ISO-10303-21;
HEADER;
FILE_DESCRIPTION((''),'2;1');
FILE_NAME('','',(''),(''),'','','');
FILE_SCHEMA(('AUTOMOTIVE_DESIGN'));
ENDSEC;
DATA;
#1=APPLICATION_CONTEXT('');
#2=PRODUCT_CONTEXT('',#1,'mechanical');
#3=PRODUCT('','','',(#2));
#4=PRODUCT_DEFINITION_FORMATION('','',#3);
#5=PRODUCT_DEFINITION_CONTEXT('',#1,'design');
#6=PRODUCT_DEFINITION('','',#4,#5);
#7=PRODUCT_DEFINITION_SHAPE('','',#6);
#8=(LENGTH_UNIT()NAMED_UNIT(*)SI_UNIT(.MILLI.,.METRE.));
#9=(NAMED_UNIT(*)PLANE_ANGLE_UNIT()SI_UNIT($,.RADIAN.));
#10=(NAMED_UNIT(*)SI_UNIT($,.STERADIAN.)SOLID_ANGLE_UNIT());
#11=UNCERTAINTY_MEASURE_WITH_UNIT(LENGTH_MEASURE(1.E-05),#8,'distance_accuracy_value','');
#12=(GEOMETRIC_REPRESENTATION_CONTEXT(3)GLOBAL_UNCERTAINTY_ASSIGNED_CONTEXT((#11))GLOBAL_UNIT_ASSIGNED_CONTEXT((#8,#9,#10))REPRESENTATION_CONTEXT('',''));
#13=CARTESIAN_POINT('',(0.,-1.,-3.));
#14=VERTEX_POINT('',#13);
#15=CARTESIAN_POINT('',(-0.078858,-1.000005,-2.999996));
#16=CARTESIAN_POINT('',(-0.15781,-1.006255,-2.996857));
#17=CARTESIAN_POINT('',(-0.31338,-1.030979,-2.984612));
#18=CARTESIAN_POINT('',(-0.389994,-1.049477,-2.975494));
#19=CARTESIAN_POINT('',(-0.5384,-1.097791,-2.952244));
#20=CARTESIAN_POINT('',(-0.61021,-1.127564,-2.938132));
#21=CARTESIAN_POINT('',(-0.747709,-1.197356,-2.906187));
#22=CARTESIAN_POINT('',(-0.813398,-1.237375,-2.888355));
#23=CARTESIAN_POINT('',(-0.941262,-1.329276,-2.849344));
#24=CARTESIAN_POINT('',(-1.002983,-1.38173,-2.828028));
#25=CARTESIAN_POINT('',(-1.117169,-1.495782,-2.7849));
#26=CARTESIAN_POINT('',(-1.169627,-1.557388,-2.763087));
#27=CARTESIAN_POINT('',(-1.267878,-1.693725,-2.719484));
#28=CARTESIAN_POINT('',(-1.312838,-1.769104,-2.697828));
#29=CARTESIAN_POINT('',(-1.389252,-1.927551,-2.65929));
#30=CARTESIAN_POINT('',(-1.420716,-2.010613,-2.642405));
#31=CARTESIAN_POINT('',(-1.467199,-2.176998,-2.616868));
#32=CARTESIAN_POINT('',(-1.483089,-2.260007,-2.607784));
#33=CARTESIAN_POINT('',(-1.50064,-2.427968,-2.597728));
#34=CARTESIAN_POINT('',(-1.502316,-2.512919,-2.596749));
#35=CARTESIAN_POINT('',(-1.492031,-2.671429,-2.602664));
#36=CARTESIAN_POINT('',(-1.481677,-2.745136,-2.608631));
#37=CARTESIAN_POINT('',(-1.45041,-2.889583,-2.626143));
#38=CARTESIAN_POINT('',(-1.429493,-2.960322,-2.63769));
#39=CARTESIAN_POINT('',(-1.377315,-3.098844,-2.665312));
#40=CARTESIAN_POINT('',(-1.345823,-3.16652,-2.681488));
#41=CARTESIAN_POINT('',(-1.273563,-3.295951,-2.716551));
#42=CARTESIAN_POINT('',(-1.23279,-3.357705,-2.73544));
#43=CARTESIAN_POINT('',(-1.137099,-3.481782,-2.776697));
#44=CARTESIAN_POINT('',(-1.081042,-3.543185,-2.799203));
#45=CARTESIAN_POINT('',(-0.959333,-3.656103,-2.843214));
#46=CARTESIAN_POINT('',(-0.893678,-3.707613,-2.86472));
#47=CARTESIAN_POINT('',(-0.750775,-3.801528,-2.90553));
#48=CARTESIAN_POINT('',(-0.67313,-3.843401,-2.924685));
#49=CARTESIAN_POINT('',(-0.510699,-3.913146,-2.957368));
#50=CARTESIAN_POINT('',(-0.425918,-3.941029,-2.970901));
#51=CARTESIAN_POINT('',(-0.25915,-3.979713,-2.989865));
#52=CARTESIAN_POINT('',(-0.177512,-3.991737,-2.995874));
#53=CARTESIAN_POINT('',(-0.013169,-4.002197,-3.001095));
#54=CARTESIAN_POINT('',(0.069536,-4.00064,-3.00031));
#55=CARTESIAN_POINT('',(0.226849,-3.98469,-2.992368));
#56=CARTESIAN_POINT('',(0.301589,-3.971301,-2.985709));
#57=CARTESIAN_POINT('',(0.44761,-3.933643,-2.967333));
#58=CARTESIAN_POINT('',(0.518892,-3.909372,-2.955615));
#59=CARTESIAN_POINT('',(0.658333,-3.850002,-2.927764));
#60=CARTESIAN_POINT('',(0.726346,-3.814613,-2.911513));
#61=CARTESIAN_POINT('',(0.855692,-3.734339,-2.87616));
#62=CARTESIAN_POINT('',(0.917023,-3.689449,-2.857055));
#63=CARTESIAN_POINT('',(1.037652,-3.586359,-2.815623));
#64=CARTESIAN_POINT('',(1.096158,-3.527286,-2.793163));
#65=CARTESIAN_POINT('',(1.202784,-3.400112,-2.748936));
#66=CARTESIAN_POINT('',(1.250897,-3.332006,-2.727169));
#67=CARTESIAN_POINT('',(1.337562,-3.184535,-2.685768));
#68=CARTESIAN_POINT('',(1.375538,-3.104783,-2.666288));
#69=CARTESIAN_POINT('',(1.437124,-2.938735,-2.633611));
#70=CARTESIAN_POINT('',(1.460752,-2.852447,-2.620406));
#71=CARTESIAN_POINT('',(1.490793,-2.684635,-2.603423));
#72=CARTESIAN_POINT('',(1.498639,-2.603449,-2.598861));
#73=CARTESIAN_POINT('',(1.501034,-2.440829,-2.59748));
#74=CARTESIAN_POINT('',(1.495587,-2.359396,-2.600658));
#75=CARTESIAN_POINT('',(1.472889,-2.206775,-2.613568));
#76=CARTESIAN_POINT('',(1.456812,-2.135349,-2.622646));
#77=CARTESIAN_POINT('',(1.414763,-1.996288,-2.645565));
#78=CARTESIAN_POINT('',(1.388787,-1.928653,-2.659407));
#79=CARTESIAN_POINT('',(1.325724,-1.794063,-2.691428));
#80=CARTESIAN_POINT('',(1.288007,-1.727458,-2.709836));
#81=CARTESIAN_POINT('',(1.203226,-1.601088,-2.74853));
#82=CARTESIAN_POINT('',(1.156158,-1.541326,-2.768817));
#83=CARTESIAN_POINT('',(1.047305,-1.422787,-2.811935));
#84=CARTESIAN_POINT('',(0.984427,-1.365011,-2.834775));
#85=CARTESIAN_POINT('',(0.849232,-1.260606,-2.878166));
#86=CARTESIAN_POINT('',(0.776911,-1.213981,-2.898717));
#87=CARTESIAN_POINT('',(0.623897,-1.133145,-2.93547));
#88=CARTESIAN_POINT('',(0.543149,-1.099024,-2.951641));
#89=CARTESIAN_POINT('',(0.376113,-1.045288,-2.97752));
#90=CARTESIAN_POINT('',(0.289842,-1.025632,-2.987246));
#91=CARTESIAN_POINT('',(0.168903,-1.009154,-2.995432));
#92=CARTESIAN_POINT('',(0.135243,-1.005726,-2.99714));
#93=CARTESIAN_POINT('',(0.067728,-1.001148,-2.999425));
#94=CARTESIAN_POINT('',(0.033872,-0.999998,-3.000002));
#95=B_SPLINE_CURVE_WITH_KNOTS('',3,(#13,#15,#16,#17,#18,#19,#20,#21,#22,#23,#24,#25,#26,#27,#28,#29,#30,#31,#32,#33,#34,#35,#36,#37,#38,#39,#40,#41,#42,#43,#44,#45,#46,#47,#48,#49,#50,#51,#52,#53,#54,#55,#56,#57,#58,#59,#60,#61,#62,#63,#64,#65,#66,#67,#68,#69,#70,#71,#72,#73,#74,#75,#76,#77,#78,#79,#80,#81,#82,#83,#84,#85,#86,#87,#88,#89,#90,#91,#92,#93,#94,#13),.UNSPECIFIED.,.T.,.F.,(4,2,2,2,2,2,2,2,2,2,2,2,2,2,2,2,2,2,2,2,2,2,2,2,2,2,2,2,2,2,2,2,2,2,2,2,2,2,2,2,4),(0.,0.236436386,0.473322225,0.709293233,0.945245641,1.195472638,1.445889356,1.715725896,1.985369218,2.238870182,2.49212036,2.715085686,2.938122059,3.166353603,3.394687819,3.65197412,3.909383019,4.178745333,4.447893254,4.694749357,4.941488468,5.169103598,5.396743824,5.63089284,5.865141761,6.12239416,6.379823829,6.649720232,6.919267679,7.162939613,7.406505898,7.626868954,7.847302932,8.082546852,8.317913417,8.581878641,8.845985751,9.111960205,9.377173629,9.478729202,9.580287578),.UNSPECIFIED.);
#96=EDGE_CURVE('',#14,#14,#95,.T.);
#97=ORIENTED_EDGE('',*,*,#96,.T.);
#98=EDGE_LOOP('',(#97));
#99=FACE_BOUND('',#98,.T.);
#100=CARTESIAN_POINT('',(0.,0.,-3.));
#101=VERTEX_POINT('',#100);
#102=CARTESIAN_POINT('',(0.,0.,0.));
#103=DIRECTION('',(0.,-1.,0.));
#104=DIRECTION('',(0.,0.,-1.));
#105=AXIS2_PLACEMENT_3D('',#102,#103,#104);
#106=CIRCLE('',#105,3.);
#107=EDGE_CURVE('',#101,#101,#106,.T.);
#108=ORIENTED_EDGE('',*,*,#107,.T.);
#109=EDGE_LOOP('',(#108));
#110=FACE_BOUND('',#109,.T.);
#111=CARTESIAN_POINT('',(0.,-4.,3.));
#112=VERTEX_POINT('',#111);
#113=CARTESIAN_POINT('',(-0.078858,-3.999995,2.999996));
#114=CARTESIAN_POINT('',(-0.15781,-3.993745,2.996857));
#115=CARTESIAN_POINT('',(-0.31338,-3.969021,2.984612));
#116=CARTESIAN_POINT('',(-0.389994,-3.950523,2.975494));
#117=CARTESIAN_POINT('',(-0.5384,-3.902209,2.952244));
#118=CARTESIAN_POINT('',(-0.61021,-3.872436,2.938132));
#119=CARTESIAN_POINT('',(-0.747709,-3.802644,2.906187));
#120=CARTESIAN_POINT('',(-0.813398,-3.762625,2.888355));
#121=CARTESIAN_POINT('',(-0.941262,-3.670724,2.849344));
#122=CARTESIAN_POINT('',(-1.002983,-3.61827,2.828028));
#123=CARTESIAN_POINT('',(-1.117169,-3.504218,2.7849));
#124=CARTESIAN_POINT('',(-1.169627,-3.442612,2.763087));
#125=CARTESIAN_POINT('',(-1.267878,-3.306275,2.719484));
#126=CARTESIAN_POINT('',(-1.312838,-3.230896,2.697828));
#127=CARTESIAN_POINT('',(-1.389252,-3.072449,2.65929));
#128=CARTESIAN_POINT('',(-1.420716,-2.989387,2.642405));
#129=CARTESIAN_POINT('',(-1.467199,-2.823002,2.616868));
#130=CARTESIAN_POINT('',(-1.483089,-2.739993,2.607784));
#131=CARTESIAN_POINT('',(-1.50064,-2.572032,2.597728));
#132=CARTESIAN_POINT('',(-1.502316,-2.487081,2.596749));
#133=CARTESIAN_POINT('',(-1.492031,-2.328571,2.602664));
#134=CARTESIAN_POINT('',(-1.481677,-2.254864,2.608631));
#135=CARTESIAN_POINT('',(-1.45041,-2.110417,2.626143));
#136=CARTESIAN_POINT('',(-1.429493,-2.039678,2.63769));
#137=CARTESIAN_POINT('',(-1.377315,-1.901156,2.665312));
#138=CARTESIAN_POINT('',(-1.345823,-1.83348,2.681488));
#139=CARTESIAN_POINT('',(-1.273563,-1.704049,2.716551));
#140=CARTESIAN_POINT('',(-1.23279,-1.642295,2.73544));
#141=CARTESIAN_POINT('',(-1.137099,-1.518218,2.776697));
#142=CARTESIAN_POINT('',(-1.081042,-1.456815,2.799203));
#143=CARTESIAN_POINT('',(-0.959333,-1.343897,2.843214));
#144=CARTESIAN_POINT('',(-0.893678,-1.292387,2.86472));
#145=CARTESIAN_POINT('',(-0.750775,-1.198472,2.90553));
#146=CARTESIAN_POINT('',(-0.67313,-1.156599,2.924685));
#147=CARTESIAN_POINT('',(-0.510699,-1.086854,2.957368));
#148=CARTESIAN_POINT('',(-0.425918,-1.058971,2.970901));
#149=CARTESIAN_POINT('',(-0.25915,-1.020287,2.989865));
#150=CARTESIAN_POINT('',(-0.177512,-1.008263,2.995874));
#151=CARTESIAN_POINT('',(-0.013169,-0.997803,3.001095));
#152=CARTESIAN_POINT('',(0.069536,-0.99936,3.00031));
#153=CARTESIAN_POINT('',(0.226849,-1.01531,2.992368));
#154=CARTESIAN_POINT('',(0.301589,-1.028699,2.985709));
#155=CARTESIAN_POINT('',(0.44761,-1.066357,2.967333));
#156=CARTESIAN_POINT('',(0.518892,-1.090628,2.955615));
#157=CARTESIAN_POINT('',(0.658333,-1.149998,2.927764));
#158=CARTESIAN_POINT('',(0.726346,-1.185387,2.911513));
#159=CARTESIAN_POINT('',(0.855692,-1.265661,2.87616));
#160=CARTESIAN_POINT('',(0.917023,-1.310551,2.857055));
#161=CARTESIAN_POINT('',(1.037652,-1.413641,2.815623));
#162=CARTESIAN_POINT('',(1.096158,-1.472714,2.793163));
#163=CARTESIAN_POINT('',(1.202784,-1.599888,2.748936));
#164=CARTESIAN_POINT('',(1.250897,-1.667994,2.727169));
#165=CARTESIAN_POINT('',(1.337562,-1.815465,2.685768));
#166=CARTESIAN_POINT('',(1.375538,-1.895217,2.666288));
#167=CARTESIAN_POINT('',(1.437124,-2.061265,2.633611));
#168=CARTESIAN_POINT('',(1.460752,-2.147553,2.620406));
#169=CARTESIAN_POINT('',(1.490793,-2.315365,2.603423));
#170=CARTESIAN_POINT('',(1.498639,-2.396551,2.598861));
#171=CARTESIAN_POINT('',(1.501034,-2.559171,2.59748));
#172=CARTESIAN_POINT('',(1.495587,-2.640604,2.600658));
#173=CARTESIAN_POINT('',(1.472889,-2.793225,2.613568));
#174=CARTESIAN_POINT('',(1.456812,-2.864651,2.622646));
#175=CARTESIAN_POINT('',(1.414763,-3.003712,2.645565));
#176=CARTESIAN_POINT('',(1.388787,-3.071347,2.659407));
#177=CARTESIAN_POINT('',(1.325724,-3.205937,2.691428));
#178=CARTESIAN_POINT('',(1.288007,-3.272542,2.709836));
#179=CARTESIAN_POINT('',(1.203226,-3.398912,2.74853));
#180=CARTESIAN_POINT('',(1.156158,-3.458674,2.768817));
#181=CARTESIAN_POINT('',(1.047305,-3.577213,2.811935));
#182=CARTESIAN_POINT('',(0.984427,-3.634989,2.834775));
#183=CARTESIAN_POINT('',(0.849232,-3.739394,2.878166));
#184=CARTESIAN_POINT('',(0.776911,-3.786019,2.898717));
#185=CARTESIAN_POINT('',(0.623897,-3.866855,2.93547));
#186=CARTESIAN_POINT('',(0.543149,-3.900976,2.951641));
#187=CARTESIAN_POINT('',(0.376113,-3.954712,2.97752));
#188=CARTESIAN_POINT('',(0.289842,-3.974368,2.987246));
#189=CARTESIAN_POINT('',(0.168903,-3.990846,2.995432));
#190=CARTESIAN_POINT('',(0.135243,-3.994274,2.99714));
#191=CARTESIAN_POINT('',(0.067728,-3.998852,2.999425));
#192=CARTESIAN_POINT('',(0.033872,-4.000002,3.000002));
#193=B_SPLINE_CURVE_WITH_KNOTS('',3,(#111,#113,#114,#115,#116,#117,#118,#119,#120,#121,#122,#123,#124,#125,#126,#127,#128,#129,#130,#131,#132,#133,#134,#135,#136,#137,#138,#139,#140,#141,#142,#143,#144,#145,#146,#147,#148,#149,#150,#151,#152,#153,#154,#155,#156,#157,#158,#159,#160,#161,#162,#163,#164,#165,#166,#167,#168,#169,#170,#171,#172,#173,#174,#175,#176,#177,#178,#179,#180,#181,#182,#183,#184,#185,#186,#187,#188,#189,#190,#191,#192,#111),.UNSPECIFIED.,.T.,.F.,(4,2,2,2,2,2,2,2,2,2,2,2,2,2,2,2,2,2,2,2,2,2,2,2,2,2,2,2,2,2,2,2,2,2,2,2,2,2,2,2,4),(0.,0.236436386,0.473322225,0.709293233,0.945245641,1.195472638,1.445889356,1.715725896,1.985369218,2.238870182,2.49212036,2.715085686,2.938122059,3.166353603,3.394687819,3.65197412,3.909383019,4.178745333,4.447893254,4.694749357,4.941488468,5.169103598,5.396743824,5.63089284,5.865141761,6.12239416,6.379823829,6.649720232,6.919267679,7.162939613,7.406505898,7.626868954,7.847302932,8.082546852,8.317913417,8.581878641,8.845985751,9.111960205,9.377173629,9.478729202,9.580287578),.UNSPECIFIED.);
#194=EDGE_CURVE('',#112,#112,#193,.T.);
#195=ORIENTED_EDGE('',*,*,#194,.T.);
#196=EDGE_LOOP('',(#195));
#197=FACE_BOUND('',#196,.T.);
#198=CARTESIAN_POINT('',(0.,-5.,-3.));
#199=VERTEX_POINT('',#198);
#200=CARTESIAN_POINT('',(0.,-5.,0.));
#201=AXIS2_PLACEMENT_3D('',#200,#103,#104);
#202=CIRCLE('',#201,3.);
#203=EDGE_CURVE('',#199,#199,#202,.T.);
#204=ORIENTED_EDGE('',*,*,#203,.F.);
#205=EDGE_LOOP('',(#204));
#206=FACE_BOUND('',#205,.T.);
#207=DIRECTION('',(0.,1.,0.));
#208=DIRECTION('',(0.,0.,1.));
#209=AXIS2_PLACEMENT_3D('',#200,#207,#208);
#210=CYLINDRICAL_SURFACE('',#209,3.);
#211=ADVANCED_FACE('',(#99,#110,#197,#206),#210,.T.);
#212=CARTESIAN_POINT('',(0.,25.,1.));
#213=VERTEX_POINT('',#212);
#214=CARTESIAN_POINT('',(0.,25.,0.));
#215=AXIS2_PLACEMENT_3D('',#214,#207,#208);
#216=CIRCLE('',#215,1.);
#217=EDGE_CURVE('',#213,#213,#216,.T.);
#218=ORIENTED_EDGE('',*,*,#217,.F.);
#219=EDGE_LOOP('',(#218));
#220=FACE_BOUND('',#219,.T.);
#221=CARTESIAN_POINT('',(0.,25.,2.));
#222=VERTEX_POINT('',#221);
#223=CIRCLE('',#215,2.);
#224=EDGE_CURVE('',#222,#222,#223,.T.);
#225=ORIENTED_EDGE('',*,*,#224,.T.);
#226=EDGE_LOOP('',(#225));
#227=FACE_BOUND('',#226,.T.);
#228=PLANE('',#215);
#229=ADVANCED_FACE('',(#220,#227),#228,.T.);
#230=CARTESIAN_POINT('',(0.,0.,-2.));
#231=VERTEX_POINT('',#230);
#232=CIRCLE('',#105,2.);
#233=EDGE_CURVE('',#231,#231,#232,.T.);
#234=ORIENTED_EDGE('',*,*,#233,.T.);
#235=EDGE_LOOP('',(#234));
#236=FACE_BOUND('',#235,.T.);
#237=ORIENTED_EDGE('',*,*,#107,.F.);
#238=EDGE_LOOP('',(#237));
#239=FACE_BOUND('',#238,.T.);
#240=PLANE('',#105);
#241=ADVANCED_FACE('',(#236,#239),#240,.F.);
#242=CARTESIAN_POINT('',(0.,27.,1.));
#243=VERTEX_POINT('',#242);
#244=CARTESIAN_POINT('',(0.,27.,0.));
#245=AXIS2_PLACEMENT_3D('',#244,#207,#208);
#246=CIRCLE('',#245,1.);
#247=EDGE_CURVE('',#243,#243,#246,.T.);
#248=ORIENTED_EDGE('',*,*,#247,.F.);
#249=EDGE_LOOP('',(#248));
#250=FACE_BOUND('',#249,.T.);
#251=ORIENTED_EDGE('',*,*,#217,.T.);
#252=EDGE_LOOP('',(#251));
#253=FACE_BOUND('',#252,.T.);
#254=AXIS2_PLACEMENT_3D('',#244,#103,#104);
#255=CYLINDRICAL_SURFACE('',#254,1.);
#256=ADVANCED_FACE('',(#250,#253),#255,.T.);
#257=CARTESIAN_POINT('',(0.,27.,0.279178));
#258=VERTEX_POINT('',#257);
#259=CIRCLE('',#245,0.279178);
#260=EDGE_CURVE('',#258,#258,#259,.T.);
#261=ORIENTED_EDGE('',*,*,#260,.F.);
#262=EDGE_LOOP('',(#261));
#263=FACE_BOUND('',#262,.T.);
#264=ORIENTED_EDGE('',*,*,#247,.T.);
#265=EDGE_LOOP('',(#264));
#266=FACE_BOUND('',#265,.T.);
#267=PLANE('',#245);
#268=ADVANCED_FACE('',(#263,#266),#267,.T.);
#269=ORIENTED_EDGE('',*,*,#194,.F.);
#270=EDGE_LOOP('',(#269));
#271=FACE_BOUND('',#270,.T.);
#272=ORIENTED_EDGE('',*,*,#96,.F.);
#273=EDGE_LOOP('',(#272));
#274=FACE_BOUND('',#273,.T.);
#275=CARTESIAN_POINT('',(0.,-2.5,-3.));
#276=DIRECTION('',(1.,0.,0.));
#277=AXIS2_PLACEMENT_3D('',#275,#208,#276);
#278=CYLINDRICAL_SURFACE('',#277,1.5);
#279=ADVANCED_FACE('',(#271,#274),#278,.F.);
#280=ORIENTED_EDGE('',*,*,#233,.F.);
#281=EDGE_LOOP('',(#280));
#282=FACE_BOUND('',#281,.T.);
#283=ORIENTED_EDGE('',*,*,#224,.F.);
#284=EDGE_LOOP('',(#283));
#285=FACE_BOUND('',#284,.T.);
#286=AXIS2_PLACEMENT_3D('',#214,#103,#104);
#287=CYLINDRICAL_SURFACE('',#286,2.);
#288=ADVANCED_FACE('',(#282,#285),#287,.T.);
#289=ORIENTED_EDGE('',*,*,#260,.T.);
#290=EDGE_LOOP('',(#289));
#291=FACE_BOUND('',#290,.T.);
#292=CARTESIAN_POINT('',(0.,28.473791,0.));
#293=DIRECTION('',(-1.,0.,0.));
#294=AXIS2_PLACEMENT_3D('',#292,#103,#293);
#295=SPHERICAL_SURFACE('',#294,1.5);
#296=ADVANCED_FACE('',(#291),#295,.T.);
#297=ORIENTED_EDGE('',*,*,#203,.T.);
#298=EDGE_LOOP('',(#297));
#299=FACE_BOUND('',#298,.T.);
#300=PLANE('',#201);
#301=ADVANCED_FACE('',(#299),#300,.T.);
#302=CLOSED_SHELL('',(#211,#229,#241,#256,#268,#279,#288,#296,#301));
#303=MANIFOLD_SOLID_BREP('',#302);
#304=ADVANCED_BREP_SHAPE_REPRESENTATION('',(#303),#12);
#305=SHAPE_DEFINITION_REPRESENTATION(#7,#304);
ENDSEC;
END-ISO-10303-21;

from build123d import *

# Parameters (mm, degrees)
SZKIC1_R                        = 2
DODANIE_WYCI_GNI_CIE1_DEPTH     = 25
SZKIC2_R                        = 1
DODANIE_WYCI_GNI_CIE2_DEPTH     = 2
SZKIC4_R                        = 3
DODANIE_WYCI_GNI_CIE3_DEPTH     = 5
WYTNIJ_WYCI_GNI_CIE1_DEPTH      = 31.272564199
WYTNIJ_WYCI_GNI_CIE1_DEPTH_BACK = 31.272564199
SZKIC5_R                        = 1.5


with BuildPart() as part:
    # Szkic1 → Dodanie-wyciągnięcie1 (new body)
    with BuildSketch(Plane(origin=(0, 0, 0), x_dir=(1, 0, 0), z_dir=(0, 1, 0))):
        with Locations(Location((0, 0, 0), (0, 0, 270))):
            Circle(SZKIC1_R)
    extrude(amount=DODANIE_WYCI_GNI_CIE1_DEPTH)

    # Szkic2 → Dodanie-wyciągnięcie2 (add)
    with BuildSketch(Plane(origin=(0, 25, 0), x_dir=(1, 0, 0), z_dir=(0, 1, 0))):
        with Locations(Location((0, 0, 0), (0, 0, 270))):
            Circle(SZKIC2_R)
    extrude(amount=DODANIE_WYCI_GNI_CIE2_DEPTH)

    # Szkic3 → Obrót3 (revolve)
    with BuildSketch(Plane.XY):
        with BuildLine():
            Line((0, 29.973790938), (0, 26.973790938))
            ThreePointArc((0, 26.973790938), (1.5, 28.473790938), (0, 29.973790938))
        make_face()
    revolve(axis=Axis((0, 0, 0), (0, 1, 0)))

    # Szkic4 → Dodanie-wyciągnięcie3 (add)
    with BuildSketch(Plane.XZ):
        with Locations(Location((0, 0, 0), (0, 0, 270))):
            Circle(SZKIC4_R)
    extrude(amount=DODANIE_WYCI_GNI_CIE3_DEPTH)

    # Szkic5 → Wytnij-wyciągnięcie1 (cut, two sides: drawn at the far end of the back side and taken through both)
    with BuildSketch(Plane.XY.offset(-WYTNIJ_WYCI_GNI_CIE1_DEPTH_BACK)):
        with Locations(Location((0, -2.5, 0), (0, 0, 270.000000001))):
            Circle(SZKIC5_R)
    extrude(amount=WYTNIJ_WYCI_GNI_CIE1_DEPTH + WYTNIJ_WYCI_GNI_CIE1_DEPTH_BACK, mode=Mode.SUBTRACT)


solid = part.part
